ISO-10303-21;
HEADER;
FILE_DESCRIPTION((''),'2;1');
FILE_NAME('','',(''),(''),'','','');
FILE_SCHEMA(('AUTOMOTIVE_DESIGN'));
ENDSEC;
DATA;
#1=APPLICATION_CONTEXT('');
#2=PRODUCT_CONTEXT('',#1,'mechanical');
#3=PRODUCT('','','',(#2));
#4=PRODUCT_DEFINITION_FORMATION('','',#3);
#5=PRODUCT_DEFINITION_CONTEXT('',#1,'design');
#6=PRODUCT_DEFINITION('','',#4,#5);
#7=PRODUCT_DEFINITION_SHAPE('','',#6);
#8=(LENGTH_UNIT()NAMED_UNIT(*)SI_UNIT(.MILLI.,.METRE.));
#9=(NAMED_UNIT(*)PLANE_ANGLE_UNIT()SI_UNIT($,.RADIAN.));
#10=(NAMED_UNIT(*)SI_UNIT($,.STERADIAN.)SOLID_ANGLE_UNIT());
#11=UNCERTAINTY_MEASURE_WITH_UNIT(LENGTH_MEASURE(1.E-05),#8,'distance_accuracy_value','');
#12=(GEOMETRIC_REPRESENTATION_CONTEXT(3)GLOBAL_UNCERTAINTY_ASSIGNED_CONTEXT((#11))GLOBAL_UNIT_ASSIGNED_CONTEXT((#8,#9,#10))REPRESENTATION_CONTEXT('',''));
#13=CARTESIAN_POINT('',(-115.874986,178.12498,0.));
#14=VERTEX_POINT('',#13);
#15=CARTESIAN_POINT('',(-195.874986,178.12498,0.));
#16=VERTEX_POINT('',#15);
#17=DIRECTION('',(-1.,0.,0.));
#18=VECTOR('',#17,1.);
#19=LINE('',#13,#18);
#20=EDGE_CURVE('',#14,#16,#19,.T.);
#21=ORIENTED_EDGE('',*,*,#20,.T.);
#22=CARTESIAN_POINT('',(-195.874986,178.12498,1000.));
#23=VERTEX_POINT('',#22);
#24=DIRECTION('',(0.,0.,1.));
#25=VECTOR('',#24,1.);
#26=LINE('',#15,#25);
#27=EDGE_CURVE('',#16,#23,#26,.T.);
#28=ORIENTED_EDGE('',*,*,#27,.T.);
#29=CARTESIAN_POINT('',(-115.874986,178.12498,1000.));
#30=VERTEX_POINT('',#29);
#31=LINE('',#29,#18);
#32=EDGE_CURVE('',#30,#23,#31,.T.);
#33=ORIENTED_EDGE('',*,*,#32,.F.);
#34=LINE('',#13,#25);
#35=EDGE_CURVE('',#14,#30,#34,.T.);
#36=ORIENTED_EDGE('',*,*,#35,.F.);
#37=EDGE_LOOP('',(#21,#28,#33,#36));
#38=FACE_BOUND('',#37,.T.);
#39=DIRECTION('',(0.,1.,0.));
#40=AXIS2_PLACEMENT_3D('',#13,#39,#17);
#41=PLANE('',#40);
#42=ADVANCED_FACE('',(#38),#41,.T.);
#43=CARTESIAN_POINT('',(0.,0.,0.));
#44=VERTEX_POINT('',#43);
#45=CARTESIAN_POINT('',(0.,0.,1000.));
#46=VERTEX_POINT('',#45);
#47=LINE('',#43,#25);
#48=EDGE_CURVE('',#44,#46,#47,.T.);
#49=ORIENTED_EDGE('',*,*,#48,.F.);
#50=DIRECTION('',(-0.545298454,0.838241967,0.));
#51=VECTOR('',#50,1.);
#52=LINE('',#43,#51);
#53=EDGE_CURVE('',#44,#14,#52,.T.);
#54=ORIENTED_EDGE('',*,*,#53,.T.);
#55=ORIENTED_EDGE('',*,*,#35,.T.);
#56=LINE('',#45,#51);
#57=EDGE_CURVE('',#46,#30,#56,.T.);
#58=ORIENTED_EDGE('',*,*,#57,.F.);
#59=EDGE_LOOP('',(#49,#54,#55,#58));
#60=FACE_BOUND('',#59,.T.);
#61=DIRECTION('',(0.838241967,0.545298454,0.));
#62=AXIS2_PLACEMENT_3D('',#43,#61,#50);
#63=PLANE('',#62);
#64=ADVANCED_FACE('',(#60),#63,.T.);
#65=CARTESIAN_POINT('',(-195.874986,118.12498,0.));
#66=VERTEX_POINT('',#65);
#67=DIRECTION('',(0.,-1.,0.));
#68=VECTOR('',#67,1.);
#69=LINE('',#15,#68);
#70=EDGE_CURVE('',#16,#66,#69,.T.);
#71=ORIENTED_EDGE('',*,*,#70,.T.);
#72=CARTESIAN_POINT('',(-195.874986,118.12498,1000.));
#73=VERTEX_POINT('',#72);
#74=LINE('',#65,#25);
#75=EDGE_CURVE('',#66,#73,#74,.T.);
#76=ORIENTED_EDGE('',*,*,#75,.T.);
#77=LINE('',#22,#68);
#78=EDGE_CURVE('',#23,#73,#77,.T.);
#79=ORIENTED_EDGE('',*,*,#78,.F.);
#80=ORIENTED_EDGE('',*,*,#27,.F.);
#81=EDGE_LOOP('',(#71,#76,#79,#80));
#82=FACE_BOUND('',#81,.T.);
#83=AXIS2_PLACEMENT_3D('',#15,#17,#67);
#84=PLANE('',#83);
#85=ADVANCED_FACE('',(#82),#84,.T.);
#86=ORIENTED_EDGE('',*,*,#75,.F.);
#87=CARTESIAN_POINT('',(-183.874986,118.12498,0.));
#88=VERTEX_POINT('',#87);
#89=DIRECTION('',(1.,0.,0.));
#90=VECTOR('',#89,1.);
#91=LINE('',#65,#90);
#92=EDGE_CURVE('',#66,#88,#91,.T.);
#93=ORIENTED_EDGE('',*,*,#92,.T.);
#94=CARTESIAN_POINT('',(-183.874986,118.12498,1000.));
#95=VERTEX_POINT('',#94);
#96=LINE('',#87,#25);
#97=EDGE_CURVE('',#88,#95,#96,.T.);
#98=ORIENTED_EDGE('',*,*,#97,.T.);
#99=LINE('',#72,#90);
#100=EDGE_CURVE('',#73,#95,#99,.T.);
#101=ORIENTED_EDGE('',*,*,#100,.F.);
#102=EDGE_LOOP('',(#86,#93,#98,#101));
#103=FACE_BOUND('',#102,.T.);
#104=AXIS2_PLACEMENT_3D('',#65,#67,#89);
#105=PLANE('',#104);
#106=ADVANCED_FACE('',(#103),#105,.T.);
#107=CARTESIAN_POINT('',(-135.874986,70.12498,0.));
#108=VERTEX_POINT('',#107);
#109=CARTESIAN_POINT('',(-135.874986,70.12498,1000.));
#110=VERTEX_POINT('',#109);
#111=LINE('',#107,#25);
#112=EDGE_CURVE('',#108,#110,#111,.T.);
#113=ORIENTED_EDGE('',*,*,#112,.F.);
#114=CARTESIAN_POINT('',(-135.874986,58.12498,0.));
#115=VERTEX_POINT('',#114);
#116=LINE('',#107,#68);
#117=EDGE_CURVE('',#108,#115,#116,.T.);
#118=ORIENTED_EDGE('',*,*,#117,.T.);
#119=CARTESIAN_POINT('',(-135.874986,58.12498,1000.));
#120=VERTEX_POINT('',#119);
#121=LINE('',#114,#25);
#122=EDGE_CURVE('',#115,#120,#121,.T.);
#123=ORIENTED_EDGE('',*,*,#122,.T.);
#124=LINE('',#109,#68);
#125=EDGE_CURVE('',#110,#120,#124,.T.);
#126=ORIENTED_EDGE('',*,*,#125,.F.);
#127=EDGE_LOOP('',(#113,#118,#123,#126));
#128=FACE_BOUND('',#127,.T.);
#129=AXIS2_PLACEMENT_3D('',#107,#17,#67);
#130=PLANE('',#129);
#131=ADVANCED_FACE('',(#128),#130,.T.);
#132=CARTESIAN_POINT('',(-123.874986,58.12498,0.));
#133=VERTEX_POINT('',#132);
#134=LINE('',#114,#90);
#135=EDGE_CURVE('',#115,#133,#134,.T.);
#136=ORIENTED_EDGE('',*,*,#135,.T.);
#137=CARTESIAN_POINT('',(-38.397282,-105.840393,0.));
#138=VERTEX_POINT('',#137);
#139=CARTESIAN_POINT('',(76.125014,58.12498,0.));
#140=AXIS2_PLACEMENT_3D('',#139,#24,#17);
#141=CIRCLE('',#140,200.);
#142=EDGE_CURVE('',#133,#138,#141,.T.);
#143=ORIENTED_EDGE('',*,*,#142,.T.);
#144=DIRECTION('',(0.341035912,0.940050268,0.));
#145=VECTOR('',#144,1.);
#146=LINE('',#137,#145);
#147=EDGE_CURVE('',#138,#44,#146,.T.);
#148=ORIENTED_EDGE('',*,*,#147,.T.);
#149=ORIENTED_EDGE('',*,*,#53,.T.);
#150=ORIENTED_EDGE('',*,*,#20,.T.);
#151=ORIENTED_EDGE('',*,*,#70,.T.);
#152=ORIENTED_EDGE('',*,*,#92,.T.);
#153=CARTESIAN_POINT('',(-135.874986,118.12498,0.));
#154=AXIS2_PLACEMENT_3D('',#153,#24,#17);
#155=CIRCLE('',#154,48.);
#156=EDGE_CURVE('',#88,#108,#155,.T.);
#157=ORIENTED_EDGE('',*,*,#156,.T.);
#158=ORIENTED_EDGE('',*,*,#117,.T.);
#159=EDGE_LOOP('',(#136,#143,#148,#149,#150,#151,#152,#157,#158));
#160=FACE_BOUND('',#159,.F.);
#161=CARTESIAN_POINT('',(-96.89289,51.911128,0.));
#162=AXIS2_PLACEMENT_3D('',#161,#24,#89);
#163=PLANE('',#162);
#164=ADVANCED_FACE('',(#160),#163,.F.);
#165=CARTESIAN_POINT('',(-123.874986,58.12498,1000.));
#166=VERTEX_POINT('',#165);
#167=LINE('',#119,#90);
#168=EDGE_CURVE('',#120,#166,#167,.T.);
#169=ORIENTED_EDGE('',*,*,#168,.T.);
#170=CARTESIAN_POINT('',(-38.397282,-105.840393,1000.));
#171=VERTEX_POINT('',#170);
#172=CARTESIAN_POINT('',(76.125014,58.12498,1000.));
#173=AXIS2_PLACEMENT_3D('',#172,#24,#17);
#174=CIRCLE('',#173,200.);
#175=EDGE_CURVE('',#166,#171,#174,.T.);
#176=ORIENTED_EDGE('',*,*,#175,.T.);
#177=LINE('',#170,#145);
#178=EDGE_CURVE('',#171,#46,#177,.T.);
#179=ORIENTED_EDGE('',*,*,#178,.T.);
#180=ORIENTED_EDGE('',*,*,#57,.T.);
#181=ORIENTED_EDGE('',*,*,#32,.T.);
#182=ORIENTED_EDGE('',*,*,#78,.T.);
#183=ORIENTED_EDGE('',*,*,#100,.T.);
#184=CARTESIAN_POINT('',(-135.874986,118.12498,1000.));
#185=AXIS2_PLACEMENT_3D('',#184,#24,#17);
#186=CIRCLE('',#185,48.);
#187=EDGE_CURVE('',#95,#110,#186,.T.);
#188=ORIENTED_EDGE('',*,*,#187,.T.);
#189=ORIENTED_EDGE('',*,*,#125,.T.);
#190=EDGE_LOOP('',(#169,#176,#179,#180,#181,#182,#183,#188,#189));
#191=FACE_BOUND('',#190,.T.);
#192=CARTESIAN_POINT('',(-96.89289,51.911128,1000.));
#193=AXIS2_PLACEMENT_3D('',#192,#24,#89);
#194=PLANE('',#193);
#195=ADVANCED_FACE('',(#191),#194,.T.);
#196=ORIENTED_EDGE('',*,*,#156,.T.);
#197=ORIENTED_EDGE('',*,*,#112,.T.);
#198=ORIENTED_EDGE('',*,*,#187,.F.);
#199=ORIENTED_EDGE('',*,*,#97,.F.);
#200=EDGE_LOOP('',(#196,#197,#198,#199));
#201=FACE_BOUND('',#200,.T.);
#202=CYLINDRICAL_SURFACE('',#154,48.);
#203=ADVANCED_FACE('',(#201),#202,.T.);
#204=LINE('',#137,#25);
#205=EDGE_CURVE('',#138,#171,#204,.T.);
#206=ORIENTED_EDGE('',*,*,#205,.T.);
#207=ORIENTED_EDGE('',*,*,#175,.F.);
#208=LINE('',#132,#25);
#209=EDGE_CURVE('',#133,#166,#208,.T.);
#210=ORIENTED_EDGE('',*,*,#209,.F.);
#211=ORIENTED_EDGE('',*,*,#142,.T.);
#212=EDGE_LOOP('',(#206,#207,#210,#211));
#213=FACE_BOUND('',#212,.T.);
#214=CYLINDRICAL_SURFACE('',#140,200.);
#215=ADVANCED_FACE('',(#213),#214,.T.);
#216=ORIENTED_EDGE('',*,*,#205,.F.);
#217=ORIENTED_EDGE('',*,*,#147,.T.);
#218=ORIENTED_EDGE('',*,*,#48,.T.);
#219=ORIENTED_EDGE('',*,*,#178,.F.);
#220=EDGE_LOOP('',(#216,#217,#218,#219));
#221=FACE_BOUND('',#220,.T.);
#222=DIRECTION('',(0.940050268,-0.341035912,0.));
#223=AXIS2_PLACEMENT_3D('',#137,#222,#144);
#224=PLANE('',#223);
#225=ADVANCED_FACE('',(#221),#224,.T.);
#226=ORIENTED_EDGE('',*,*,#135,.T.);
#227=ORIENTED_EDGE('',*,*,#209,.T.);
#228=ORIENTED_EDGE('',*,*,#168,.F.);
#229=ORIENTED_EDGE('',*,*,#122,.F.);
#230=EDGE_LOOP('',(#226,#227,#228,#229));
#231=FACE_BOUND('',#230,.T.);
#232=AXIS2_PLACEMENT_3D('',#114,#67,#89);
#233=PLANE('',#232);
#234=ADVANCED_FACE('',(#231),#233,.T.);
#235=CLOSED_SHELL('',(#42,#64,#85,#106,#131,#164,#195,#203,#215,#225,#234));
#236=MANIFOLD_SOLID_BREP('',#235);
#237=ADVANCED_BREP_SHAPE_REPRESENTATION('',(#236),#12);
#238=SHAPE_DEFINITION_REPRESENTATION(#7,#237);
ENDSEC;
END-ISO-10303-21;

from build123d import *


with BuildPart() as f3:
    # F3: sweep along a path in F2
    with BuildLine(Plane.XZ.offset(105.8403934839)) as f3_path:
        Line((-38.3972818889, 0), (-38.3972818889, 1000))
    # F0 (on Top) → F3 (sweep)
    with BuildSketch(Plane.XY):
        with BuildLine():
            Line((-38.3972818889, -105.8403934839), (0, 0))
            Line((0, 0), (-115.8749862256, 178.1249802876))
            Line((-115.8749862256, 178.1249802876), (-195.8749862256, 178.1249802876))
            Line((-195.8749862256, 178.1249802876), (-195.8749862256, 118.1249802876))
            Line((-195.8749862256, 118.1249802876), (-183.8749862256, 118.1249802876))
            ThreePointArc((-183.8749862256, 118.1249802876), (-169.8161117226, 84.1838547906), (-135.8749862256, 70.1249802876))
            Line((-135.8749862256, 70.1249802876), (-135.8749862256, 58.1249802876))
            Line((-135.8749862256, 58.1249802876), (-123.8749862256, 58.1249802876))
            ThreePointArc((-123.8749862256, 58.1249802876), (-101.2227507064, -34.329172857), (-38.3972818889, -105.8403934839))
        make_face()
    sweep(path=f3_path.line)


solid = f3.part
